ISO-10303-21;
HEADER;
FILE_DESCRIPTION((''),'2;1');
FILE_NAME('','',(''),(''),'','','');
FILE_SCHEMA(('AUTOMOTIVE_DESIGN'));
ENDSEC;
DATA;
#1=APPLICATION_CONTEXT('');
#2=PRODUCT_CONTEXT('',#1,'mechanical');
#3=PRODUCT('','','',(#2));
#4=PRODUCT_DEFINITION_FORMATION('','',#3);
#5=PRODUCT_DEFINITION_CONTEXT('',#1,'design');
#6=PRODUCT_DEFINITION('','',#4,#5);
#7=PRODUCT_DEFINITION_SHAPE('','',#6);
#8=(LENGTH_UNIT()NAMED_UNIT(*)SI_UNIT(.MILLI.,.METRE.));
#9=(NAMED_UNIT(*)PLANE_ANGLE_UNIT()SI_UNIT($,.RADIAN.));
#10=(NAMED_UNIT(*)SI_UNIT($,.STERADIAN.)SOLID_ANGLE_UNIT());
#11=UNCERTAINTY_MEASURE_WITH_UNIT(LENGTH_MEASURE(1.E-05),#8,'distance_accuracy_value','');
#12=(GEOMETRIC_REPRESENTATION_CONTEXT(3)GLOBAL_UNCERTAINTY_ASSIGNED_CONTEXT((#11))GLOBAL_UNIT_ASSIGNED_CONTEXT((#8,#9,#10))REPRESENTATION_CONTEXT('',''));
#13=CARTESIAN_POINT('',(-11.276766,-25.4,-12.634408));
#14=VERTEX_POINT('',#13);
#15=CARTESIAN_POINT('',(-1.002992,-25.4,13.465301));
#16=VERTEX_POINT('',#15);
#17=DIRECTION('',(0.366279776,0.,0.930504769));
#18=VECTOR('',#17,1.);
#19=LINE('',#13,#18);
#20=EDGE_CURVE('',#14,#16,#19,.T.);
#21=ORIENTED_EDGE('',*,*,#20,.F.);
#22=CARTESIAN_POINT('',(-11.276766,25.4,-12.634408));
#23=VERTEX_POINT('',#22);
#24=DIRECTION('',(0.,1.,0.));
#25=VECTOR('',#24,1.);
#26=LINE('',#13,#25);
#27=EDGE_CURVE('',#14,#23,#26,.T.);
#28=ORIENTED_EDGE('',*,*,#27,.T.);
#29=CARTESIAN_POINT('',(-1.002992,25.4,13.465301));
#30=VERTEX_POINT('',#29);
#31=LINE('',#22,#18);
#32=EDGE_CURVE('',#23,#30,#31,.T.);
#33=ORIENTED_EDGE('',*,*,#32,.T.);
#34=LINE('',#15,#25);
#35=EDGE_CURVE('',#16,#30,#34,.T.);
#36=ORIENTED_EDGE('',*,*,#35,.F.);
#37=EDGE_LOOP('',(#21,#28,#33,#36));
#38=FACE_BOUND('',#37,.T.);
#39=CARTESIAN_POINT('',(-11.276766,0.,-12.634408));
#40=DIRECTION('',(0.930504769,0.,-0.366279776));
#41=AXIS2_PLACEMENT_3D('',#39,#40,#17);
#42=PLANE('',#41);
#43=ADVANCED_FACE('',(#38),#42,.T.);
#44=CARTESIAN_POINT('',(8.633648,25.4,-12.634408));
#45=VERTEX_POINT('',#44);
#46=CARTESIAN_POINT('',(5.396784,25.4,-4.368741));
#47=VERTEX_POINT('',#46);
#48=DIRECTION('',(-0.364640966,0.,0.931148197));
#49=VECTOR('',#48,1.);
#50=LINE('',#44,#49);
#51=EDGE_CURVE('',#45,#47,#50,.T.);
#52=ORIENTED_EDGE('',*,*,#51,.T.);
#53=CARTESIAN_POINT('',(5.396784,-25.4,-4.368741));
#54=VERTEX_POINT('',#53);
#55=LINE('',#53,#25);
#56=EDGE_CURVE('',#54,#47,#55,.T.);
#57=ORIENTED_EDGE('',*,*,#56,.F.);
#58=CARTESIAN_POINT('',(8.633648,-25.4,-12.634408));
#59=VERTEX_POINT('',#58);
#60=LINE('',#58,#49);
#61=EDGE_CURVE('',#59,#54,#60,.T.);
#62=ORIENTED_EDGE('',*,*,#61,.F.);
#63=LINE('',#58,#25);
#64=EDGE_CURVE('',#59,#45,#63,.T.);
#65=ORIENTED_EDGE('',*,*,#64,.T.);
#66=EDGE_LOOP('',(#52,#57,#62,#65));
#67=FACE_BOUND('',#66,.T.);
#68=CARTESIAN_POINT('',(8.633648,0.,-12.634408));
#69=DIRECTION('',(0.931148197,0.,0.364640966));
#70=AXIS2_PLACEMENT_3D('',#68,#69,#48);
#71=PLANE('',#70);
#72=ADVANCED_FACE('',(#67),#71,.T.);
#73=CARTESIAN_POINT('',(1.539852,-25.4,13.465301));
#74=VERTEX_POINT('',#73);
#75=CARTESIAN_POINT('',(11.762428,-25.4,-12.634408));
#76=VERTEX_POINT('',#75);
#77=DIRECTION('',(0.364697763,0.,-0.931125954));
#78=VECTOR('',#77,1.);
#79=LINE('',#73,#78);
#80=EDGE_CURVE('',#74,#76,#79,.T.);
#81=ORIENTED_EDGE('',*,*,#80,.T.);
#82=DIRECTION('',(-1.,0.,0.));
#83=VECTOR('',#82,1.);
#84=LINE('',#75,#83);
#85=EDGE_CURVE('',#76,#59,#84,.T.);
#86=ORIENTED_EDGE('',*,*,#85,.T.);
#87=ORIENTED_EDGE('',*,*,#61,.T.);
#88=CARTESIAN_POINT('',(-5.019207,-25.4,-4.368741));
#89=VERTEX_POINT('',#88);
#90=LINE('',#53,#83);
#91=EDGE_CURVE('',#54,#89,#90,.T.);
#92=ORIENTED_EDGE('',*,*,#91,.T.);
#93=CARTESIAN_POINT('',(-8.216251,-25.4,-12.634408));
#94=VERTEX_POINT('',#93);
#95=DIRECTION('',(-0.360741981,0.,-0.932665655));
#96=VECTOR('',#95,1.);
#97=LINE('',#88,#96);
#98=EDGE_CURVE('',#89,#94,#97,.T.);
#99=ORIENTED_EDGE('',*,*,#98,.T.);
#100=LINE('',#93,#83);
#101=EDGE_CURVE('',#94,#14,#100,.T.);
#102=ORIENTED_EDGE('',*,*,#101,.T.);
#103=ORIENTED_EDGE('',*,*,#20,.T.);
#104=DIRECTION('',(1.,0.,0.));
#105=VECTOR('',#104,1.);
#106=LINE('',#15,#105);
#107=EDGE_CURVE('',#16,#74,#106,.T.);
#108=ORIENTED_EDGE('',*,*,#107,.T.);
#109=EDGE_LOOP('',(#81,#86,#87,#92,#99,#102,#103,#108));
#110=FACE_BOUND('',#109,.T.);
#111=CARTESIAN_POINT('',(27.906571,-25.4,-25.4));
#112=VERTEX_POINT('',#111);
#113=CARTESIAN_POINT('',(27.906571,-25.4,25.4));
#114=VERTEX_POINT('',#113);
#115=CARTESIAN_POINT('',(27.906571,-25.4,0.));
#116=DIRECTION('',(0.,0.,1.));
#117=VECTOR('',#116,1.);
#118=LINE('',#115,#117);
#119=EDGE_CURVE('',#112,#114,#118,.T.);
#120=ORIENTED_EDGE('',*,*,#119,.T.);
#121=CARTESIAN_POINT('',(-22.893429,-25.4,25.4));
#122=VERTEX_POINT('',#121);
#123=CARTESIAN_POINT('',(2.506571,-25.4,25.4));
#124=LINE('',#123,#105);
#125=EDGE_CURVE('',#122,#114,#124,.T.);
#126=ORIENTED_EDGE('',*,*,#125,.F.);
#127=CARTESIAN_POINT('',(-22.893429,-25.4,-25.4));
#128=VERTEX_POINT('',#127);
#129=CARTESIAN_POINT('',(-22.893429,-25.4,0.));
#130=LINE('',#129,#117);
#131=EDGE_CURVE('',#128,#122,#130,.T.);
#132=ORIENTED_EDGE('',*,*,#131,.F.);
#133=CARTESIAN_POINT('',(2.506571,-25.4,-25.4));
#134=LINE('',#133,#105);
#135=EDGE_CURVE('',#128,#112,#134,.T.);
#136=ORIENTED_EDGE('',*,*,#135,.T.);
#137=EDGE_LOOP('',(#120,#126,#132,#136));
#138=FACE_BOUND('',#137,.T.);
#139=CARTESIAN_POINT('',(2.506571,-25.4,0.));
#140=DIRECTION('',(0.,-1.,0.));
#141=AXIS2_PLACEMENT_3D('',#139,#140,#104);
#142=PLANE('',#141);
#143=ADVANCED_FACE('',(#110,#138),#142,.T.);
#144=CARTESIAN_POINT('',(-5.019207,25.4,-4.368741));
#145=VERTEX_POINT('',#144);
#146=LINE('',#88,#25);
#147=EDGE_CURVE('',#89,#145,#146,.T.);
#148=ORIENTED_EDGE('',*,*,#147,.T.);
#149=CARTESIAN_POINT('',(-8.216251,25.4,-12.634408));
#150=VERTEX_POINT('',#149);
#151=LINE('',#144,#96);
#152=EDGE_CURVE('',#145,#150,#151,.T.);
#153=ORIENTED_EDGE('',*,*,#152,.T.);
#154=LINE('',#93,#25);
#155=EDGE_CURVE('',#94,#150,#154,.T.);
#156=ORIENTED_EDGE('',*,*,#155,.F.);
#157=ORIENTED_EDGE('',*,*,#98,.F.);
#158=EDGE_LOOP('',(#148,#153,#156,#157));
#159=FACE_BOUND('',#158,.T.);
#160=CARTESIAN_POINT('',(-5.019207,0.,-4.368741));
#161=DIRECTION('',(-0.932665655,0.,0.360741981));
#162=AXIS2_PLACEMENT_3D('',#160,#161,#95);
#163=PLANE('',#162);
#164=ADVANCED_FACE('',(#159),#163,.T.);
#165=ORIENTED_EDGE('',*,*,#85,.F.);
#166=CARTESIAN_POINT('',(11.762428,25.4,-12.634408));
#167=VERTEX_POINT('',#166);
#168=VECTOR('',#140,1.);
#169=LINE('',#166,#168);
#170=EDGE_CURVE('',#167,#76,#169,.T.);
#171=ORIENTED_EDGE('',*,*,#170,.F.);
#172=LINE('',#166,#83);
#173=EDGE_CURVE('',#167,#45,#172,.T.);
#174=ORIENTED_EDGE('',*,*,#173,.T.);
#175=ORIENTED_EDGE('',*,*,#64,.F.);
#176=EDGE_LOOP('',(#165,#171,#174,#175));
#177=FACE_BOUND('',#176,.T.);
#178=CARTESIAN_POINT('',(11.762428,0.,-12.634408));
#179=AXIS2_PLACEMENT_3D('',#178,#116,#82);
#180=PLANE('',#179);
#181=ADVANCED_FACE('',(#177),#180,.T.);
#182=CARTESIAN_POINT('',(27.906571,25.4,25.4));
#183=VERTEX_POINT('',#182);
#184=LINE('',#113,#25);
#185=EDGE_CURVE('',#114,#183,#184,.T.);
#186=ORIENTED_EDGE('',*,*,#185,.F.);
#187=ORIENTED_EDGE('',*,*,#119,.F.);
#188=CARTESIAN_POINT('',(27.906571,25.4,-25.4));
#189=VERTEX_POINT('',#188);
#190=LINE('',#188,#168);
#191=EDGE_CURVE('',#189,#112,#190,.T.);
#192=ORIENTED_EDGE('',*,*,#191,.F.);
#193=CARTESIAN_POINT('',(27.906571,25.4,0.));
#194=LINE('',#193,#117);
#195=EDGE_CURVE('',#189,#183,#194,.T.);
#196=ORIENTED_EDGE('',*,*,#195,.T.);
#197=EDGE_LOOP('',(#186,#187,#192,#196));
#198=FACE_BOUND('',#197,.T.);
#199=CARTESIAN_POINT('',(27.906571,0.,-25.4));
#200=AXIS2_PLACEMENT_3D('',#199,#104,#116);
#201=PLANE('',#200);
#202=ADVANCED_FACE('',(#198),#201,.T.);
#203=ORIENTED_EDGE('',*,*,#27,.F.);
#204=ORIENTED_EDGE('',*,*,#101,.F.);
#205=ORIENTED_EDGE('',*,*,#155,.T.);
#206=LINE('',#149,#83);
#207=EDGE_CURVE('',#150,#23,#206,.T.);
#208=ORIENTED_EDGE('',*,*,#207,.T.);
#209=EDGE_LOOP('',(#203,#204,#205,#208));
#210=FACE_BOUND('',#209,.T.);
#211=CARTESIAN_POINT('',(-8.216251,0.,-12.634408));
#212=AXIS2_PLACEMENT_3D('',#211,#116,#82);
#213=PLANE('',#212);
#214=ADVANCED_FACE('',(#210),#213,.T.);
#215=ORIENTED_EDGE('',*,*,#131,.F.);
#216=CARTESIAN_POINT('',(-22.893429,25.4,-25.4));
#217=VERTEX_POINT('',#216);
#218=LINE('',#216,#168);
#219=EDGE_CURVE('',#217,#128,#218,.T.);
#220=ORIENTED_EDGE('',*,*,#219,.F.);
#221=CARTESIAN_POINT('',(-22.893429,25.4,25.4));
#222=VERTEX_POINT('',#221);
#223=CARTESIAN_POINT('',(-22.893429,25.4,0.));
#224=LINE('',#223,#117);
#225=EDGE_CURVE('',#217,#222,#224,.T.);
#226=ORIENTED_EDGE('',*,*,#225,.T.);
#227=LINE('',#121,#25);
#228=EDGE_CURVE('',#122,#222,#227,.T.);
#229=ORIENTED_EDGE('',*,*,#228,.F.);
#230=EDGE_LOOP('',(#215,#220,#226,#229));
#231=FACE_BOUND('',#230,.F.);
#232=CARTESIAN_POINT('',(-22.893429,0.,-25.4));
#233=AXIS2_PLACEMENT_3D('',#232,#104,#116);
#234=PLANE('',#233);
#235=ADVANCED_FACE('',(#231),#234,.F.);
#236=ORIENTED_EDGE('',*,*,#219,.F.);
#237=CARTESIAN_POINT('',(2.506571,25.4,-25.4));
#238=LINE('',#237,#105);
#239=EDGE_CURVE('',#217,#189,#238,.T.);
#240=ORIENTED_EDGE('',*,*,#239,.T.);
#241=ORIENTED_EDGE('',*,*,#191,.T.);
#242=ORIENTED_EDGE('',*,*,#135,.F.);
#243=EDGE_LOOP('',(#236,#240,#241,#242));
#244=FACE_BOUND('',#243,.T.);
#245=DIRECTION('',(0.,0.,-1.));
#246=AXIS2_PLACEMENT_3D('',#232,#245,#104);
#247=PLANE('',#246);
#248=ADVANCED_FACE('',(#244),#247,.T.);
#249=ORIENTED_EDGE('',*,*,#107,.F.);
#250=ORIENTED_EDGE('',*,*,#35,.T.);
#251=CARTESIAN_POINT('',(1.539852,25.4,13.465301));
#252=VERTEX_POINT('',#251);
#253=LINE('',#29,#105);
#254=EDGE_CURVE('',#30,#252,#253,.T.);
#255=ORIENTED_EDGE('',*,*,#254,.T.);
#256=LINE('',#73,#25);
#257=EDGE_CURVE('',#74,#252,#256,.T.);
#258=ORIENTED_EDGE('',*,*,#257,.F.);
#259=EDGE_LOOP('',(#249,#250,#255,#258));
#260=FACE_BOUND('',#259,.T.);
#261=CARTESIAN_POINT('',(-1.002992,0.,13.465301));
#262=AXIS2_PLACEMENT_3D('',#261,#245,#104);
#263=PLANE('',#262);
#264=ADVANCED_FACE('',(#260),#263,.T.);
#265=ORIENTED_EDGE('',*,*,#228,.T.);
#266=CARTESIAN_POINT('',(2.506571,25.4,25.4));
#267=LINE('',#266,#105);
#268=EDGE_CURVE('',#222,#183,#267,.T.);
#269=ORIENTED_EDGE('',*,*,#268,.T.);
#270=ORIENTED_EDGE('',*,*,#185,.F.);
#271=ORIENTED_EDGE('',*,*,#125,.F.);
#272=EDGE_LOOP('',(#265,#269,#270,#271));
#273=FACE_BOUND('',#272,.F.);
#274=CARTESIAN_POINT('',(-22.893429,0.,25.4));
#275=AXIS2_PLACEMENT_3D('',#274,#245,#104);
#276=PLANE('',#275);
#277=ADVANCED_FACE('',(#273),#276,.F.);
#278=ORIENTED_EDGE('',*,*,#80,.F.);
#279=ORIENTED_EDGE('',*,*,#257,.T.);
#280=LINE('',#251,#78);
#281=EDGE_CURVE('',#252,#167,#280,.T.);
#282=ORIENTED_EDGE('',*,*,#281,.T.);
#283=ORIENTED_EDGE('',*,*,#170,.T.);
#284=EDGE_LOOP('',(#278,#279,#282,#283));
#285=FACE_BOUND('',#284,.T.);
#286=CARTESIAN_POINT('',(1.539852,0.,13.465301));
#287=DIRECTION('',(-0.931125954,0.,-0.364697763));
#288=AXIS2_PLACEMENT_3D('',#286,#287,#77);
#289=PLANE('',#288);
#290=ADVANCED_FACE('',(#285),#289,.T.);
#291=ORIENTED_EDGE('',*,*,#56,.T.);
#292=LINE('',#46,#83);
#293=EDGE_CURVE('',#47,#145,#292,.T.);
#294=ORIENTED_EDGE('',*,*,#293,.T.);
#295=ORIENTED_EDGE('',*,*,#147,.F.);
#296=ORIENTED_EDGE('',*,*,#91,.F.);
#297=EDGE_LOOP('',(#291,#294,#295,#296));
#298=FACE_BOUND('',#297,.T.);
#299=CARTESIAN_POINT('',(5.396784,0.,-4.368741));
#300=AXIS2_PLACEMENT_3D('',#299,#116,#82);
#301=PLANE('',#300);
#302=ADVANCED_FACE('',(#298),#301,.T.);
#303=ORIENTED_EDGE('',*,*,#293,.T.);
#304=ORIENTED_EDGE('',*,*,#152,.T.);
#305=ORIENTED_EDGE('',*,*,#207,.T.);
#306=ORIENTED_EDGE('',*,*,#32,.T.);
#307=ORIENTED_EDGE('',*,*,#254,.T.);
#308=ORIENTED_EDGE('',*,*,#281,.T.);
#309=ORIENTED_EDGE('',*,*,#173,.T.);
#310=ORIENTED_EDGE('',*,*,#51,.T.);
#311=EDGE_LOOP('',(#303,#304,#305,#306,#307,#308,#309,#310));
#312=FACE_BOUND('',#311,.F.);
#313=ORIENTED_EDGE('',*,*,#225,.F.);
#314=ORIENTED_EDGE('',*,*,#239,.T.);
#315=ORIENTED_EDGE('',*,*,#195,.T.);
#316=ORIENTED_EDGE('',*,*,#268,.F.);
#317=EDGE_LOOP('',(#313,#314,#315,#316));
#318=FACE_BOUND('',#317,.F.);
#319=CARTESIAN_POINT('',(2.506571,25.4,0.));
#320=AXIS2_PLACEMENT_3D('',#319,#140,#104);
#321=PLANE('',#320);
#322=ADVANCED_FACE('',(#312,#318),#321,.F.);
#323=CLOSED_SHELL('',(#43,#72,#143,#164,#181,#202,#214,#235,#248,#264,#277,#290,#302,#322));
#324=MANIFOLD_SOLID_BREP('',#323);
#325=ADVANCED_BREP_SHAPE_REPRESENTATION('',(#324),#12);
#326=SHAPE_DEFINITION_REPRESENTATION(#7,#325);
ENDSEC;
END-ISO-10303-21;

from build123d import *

# Parameters (mm, degrees)
F0_W     = 50.8
F0_H     = 50.8
F1_DEPTH = 25.4


with BuildPart() as f1:
    # F0 (on Front) → F1 (new body, symmetric)
    with BuildSketch(Plane.XZ):
        with Locations((2.5065707316, 0)):
            Rectangle(F0_W, F0_H)
        Polygon((11.7624275368, -12.6344077289), (8.6336481415, -12.6344077289), (5.3967836399, -4.3687414355), (-5.0192074016, -4.3687414355), (-8.2162510746, -12.6344077289), (-11.2767661922, -12.6344077289), (-1.002992396, 13.4653011177), (1.5398519489, 13.4653011177), align=None, mode=Mode.SUBTRACT)
    extrude(amount=F1_DEPTH, both=True)


solid = f1.part
